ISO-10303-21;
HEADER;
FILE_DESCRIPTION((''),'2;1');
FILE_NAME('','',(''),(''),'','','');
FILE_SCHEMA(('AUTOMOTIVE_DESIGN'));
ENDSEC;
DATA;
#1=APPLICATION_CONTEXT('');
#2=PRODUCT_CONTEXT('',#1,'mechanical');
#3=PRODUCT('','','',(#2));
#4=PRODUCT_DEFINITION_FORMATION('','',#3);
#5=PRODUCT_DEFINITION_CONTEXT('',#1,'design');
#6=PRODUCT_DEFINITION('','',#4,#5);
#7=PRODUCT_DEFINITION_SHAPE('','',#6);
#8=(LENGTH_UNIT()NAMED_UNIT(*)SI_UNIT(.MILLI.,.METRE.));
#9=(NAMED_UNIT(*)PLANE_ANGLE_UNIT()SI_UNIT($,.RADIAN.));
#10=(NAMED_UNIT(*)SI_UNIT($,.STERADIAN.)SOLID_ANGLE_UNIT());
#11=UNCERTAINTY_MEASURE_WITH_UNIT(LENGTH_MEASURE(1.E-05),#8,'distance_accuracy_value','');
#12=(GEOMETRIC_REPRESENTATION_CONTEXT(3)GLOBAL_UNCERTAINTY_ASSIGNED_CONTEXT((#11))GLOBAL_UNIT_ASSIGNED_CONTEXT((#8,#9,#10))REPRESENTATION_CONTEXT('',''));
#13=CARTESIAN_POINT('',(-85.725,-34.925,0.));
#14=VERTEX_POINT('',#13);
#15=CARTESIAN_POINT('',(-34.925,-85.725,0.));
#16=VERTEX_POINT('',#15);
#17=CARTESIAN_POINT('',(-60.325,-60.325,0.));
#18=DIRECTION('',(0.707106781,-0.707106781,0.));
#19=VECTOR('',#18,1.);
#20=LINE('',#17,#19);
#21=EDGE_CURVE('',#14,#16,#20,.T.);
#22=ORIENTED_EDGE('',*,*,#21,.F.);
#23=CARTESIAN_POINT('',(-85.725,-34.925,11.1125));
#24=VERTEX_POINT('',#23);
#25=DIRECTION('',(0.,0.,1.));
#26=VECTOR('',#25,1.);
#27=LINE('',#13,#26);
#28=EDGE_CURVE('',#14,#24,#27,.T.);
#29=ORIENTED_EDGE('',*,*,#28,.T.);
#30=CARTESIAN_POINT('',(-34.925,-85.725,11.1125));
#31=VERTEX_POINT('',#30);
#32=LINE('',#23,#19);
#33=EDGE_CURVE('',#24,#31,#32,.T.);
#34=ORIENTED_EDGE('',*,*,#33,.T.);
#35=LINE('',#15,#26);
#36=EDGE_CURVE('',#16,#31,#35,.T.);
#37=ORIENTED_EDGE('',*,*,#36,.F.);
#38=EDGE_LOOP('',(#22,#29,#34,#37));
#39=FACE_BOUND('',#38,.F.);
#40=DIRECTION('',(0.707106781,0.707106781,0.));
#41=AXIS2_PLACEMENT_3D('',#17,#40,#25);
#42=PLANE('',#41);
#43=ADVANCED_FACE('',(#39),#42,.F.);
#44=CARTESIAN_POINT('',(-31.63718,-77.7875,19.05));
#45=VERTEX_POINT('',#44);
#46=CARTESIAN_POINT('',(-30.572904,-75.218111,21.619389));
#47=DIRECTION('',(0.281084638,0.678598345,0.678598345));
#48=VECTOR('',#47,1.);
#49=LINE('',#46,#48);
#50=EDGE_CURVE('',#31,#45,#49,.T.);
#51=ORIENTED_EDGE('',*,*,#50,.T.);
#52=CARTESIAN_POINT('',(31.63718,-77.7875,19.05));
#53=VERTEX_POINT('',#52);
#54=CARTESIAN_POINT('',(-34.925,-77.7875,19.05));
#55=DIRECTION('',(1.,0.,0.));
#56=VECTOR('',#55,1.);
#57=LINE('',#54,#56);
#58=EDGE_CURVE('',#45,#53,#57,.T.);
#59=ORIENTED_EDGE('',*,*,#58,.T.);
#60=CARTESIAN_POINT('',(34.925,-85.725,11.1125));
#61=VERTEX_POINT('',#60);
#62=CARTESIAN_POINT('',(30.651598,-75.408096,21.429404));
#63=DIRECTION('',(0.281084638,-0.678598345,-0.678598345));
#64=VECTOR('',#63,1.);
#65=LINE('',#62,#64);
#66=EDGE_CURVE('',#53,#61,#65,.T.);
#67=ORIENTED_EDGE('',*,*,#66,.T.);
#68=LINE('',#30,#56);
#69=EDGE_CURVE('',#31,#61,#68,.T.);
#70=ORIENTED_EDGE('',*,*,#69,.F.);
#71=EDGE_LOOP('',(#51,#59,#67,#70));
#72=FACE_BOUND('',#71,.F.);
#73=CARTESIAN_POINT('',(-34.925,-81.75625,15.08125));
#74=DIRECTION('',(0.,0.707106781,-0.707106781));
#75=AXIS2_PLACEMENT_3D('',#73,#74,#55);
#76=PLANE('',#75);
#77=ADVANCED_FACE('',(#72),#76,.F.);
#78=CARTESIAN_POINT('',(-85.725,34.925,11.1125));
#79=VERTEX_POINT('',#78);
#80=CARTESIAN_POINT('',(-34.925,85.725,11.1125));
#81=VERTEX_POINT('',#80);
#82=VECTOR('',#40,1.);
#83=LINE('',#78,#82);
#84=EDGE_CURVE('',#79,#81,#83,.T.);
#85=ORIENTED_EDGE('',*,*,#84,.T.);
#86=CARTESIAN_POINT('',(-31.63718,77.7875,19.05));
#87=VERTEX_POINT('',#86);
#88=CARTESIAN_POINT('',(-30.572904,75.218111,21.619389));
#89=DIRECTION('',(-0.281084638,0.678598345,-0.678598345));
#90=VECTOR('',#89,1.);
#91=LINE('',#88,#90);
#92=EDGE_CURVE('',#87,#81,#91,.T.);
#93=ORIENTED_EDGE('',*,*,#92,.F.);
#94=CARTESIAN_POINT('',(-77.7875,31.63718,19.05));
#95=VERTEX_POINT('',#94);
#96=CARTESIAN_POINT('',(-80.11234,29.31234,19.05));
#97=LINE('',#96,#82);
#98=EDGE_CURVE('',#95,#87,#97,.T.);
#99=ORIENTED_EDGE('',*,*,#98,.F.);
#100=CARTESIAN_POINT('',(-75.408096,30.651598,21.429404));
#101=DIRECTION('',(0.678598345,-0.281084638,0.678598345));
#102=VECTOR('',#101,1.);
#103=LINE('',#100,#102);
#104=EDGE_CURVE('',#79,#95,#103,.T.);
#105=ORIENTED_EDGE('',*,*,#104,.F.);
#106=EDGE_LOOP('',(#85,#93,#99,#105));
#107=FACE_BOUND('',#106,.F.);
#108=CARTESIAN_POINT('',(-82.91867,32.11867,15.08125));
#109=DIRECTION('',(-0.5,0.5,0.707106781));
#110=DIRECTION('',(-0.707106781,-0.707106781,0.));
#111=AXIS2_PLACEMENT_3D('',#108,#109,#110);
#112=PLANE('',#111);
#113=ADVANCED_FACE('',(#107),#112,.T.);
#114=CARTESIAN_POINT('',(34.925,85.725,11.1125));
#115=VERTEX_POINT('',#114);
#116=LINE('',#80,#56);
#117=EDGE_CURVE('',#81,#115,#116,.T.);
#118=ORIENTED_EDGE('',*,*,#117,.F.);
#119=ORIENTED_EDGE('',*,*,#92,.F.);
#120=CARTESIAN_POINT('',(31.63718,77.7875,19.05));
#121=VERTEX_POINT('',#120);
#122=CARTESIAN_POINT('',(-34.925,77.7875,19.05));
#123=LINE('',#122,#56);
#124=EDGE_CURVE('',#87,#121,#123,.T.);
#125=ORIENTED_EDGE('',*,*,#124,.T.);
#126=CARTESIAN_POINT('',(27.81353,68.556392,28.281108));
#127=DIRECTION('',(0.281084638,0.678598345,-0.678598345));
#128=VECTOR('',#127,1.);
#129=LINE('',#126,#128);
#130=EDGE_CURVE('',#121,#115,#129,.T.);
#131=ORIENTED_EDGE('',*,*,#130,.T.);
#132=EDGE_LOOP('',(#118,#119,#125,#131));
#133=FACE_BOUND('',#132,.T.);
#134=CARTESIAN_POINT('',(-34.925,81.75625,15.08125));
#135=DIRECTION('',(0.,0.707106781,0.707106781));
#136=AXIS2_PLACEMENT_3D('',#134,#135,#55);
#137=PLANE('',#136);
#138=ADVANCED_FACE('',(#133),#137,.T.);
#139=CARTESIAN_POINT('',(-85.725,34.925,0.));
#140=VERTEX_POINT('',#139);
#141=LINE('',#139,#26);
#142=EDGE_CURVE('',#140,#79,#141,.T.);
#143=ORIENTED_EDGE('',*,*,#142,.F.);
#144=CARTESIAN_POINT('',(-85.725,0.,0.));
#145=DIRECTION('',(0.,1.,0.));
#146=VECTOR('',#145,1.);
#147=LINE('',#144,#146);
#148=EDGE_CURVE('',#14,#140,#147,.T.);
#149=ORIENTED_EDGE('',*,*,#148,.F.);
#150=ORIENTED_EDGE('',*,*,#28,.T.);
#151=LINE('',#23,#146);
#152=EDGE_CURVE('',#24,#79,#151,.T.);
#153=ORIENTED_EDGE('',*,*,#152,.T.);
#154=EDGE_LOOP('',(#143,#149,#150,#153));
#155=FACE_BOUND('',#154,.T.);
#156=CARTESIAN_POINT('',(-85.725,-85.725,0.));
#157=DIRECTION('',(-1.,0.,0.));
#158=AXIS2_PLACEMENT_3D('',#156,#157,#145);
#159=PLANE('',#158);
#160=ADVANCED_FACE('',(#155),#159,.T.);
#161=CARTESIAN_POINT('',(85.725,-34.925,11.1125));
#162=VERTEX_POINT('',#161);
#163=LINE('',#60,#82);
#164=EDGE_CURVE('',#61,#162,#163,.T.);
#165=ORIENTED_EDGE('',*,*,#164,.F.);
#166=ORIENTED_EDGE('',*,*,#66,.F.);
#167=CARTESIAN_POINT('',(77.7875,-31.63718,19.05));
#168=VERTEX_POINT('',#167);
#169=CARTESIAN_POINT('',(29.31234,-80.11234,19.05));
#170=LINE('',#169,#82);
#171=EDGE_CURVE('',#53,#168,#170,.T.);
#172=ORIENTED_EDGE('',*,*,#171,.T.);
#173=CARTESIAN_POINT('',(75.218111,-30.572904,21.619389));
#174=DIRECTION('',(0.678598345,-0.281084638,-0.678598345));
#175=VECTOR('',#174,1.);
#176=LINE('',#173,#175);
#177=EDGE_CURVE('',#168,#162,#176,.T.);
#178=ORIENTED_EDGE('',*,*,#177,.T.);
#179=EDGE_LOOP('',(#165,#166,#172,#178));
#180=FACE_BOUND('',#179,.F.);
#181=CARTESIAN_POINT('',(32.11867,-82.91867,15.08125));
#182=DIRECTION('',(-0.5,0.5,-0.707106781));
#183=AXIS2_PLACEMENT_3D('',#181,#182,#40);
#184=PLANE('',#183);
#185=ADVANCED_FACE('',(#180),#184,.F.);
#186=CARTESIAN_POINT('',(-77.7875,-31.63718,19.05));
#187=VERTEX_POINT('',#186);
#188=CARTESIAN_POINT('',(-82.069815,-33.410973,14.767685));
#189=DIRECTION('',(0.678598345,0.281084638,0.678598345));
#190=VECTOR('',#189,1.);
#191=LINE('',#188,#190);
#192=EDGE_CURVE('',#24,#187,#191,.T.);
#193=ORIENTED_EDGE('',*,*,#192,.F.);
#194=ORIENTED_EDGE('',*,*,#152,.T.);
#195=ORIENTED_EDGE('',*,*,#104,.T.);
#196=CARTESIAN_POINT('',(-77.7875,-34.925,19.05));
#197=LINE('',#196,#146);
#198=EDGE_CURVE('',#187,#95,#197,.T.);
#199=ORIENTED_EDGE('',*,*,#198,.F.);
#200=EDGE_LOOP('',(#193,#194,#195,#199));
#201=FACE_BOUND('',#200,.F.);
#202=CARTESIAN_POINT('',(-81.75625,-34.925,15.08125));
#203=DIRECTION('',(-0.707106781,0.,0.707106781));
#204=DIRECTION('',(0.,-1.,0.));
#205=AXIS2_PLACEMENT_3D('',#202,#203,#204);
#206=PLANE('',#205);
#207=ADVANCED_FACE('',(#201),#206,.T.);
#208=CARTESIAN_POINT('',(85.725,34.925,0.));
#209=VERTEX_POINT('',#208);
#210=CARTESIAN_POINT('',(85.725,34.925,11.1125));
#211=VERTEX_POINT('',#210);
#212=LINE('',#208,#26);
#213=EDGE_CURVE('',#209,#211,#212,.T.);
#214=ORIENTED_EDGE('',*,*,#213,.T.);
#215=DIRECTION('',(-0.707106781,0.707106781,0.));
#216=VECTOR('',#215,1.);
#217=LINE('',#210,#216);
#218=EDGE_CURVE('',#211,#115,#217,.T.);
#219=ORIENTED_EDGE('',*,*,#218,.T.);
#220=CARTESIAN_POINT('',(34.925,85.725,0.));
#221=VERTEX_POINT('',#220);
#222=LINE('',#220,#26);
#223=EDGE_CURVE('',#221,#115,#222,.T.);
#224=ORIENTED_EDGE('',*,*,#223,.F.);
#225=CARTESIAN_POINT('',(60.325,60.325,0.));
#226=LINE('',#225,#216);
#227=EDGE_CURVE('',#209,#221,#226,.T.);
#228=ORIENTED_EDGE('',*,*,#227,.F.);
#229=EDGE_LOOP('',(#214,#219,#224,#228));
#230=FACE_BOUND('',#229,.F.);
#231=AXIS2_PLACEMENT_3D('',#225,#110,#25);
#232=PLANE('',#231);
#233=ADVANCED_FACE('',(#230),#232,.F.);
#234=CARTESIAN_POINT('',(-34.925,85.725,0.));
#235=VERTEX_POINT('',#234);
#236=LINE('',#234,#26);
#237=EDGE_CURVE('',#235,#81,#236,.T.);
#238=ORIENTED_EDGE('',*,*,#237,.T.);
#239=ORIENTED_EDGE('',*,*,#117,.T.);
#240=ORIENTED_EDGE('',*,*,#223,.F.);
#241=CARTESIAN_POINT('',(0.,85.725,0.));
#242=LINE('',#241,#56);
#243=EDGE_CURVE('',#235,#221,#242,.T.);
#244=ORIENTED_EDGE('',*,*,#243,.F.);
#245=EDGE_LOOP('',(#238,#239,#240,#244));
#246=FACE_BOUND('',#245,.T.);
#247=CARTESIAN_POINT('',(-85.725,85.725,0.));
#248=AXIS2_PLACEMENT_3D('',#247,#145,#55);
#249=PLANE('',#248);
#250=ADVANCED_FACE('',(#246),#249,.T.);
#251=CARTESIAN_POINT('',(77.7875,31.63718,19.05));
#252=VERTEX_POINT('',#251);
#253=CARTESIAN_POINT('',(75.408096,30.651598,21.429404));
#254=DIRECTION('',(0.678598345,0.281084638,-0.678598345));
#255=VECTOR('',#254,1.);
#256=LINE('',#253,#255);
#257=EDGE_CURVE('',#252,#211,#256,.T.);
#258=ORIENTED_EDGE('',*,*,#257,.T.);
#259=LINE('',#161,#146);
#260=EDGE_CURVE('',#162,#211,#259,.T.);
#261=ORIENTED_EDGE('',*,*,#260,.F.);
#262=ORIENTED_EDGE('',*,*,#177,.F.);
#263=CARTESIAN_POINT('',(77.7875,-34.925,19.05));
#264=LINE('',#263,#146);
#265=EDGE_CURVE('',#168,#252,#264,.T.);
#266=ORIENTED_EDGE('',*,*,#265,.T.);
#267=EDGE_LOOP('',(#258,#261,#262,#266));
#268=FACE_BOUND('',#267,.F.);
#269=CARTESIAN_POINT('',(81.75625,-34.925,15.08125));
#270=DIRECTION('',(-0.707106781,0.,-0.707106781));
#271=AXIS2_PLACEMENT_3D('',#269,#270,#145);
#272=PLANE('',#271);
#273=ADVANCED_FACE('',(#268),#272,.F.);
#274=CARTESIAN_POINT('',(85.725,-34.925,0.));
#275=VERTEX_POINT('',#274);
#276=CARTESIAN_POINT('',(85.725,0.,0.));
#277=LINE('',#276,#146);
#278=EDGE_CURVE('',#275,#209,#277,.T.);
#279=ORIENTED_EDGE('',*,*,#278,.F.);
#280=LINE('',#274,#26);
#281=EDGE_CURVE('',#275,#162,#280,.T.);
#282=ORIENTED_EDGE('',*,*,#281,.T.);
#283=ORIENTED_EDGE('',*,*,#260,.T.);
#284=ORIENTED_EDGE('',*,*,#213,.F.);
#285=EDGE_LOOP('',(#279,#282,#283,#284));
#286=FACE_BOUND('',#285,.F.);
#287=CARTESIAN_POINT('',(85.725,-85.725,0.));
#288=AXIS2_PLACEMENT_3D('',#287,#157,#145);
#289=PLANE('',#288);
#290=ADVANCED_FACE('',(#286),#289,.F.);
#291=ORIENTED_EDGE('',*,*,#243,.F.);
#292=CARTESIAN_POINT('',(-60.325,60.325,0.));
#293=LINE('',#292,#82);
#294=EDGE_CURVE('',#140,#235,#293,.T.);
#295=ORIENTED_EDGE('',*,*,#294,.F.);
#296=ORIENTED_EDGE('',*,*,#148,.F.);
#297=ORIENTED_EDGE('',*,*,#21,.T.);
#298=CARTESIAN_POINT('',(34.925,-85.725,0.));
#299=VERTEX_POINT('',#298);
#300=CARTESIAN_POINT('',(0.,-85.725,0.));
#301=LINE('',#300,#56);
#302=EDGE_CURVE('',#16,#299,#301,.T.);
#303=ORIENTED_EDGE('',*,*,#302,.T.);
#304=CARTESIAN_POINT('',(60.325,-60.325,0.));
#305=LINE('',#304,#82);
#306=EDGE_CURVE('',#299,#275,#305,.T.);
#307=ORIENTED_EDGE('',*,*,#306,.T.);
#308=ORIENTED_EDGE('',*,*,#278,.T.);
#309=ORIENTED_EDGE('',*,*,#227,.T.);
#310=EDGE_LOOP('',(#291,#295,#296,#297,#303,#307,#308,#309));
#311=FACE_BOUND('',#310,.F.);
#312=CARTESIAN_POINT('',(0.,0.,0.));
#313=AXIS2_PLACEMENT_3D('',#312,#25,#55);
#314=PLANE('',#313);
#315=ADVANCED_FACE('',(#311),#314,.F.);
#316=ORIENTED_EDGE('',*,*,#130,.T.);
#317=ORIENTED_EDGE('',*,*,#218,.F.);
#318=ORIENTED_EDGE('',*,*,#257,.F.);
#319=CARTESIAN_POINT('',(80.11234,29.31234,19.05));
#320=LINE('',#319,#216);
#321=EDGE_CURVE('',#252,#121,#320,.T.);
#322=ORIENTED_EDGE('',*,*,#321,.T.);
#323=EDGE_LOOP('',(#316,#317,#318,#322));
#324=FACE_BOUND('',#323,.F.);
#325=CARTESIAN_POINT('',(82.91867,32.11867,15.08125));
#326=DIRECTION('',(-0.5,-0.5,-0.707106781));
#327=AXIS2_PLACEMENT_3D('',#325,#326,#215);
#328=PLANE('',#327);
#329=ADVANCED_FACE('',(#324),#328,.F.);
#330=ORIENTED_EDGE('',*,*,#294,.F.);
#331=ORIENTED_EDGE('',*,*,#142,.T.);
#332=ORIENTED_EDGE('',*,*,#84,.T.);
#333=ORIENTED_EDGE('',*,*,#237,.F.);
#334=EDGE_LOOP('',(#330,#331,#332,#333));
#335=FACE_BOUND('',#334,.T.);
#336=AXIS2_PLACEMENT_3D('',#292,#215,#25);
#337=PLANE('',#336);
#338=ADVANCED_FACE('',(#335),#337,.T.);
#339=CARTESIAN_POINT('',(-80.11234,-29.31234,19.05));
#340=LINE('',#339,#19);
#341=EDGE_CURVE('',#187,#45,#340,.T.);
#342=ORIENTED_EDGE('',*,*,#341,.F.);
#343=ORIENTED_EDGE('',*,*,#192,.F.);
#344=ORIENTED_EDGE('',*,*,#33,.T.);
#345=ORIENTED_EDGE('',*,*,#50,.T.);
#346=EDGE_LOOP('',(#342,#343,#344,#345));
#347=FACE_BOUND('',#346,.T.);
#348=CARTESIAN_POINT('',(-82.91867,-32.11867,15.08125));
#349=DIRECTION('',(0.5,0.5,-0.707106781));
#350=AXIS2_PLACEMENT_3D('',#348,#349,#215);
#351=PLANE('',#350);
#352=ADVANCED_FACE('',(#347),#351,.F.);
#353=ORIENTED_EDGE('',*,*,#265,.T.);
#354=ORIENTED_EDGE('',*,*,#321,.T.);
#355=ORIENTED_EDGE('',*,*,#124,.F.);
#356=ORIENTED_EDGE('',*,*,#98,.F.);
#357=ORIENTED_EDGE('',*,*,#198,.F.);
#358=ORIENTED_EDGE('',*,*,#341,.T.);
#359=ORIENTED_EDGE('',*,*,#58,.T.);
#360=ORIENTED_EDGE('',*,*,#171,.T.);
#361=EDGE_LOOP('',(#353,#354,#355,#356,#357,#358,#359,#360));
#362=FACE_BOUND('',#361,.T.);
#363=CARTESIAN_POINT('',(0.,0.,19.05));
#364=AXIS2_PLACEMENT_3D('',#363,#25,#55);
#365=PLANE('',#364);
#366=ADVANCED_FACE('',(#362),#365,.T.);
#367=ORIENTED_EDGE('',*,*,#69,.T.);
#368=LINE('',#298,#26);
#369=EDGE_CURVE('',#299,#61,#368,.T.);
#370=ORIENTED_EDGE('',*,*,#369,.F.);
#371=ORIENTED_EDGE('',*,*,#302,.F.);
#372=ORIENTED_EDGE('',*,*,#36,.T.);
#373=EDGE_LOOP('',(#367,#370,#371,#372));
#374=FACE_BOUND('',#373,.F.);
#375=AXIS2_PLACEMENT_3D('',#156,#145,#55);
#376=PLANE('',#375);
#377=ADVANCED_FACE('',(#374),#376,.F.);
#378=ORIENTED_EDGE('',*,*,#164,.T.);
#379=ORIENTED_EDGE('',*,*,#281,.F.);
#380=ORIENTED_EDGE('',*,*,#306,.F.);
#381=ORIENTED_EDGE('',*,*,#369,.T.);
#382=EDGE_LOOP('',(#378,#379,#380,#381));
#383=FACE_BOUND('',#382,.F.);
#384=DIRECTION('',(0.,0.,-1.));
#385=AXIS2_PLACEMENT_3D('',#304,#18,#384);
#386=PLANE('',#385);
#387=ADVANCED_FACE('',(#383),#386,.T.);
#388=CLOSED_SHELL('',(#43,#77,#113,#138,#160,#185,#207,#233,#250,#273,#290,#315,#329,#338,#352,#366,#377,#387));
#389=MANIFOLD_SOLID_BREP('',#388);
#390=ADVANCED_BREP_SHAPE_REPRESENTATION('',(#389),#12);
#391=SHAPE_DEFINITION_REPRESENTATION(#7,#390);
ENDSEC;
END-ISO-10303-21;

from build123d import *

# Parameters (mm, degrees)
F0_W      = 171.45
F0_H      = 171.45
F1_DEPTH  = 19.05
F3_DEPTH  = 127
F2_W      = 12.7
F2_H      = 17.1814748066
F4_DEPTH  = 203.2
F5_SIZE   = 5.08
F6_DEPTH  = 177.8
F7_SIZE   = 5.08
F8_DEPTH  = 177.8
F9_SIZE   = 5.08
F2_H_2    = 15.875
F10_DEPTH = 152.4
F11_SIZE  = 5.08
F12_SIZE  = 50.8
F13_SIZE  = 7.9375
F15_R     = 19.8103080262
F16_DEPTH = 355.6
F17_SIZE  = 5.08
F18_DEPTH = 25.4


with BuildPart() as f1:
    # F0 (on Top) → F1 (new body)
    with BuildSketch(Plane.XY):
        Rectangle(F0_W, F0_H)
    extrude(amount=F1_DEPTH)

    # F12
    f12_edges = [f1.edges().sort_by_distance(p)[0] for p in [
        (85.725, 85.725, 9.525),
        (-85.725, 85.725, 9.525),
        (85.725, -85.725, 9.525),
        (-85.725, -85.725, 9.525),
    ]]
    chamfer(f12_edges, length=F12_SIZE)

    # F13
    f13_edges = [f1.edges().sort_by_distance(p)[0] for p in [
        (-60.325, -60.325, 19.05),
        (0, -85.725, 19.05),
        (60.325, -60.325, 19.05),
        (85.725, 0, 19.05),
        (60.325, 60.325, 19.05),
        (0, 85.725, 19.05),
        (-60.325, 60.325, 19.05),
        (-85.725, 0, 19.05),
    ]]
    chamfer(f13_edges, length=F13_SIZE)


with BuildPart() as f3:
    # F2 (on face) → F3 (new body)
    with BuildSketch(Plane.XY.offset(19.05)):
        Polygon((-8.0955186849, -20.6375), (7.9502, -20.6375), (20.6375, -9.2439748066), (20.6375, 7.9375), (7.9502, 20.6375), (-7.8052744357, 20.6375), (-20.6375, 7.9375), (-20.6375, -7.9375), align=None)
    extrude(amount=F3_DEPTH)


with BuildPart() as f4:
    # F2 (on face) → F4 (new body)
    with BuildSketch(Plane.XY.offset(19.05)):
        with Locations((26.9875, -0.6532374033)):
            Rectangle(F2_W, F2_H)
    extrude(amount=F4_DEPTH)

    # F5
    f5_edges = [f4.edges().sort_by_distance(p)[0] for p in [
        (33.3375, -0.653237, 222.25),
    ]]
    chamfer(f5_edges, length=F5_SIZE)


with BuildPart() as f6:
    # F2 (on face) → F6 (new body)
    with BuildSketch(Plane.XY.offset(19.05)):
        Polygon((-8.1848246077, -33.3375), (7.9502, -33.3375), (7.9502, -20.6375), (-8.0955186849, -20.6375), align=None)
    extrude(amount=F6_DEPTH)

    # F7
    f7_edges = [f6.edges().sort_by_distance(p)[0] for p in [
        (-0.117312, -33.3375, 196.85),
    ]]
    chamfer(f7_edges, length=F7_SIZE)


with BuildPart() as f8:
    # F2 (on face) → F8 (new body)
    with BuildSketch(Plane.XY.offset(19.05)):
        Polygon((-7.8052744357, 20.6375), (7.9502, 20.6375), (7.9502, 33.3375), (-7.7159685129, 33.3375), align=None)
    extrude(amount=F8_DEPTH)

    # F9
    f9_edges = [f8.edges().sort_by_distance(p)[0] for p in [
        (0.117116, 33.3375, 196.85),
    ]]
    chamfer(f9_edges, length=F9_SIZE)


with BuildPart() as f10:
    # F2 (on face) → F10 (new body)
    with BuildSketch(Plane.XY.offset(19.05)):
        with Locations((-26.9875, 0)):
            Rectangle(F2_W, F2_H_2)
    extrude(amount=F10_DEPTH)

    # F11
    f11_edges = [f10.edges().sort_by_distance(p)[0] for p in [
        (-33.3375, 0, 171.45),
    ]]
    chamfer(f11_edges, length=F11_SIZE)


with BuildPart() as f16:
    # F15 (on face) → F16 (new body)
    with BuildSketch(Plane.XY.offset(146.05)):
        Circle(F15_R)
    extrude(amount=F16_DEPTH)

    # F17
    f17_edges = [f16.edges().sort_by_distance(p)[0] for p in [
        (-19.810308, 0, 501.65),
    ]]
    chamfer(f17_edges, length=F17_SIZE)


with BuildPart() as f18:
    # F14 (on face) → F18 (new body)
    with BuildSketch(Plane.XY.offset(146.05)):
        with BuildLine():
            Line((20.6375, -0.9718922405), (20.6375, 0.9718922405))
            ThreePointArc((20.6375, 0.9718922405), (19.6667538049, 6.3300691588), (17.3298010521, 11.2485099579))
            Line((17.3298010521, 11.2485099579), (11.2658427939, 17.3185382443))
            ThreePointArc((11.2658427939, 17.3185382443), (6.3399066616, 19.6635847266), (0.9718922405, 20.6375))
            Line((0.9718922405, 20.6375), (-0.9718922405, 20.6375))
            ThreePointArc((-0.9718922405, 20.6375), (-6.1694748401, 19.7177220027), (-10.9643715831, 17.5109547588))
            Line((-10.9643715831, 17.5109547588), (-17.3964546014, 11.1451490829))
            ThreePointArc((-17.3964546014, 11.1451490829), (-19.685507724, 6.2715043193), (-20.6375, 0.9718922405))
            Line((-20.6375, 0.9718922405), (-20.6375, -0.9718922405))
            ThreePointArc((-20.6375, -0.9718922405), (-19.6458745255, -6.3945754282), (-17.2555997462, -11.3620094251))
            Line((-17.2555997462, -11.3620094251), (-11.5771558663, -17.1119970437))
            ThreePointArc((-11.5771558663, -17.1119970437), (-6.5174339176, -19.6054593393), (-0.9718922405, -20.6375))
            Line((-0.9718922405, -20.6375), (0.9718922405, -20.6375))
            ThreePointArc((0.9718922405, -20.6375), (14.6090893073, -14.6090893073), (20.6375, -0.9718922405))
        make_face()
    extrude(amount=F18_DEPTH)


solid = f1.part
